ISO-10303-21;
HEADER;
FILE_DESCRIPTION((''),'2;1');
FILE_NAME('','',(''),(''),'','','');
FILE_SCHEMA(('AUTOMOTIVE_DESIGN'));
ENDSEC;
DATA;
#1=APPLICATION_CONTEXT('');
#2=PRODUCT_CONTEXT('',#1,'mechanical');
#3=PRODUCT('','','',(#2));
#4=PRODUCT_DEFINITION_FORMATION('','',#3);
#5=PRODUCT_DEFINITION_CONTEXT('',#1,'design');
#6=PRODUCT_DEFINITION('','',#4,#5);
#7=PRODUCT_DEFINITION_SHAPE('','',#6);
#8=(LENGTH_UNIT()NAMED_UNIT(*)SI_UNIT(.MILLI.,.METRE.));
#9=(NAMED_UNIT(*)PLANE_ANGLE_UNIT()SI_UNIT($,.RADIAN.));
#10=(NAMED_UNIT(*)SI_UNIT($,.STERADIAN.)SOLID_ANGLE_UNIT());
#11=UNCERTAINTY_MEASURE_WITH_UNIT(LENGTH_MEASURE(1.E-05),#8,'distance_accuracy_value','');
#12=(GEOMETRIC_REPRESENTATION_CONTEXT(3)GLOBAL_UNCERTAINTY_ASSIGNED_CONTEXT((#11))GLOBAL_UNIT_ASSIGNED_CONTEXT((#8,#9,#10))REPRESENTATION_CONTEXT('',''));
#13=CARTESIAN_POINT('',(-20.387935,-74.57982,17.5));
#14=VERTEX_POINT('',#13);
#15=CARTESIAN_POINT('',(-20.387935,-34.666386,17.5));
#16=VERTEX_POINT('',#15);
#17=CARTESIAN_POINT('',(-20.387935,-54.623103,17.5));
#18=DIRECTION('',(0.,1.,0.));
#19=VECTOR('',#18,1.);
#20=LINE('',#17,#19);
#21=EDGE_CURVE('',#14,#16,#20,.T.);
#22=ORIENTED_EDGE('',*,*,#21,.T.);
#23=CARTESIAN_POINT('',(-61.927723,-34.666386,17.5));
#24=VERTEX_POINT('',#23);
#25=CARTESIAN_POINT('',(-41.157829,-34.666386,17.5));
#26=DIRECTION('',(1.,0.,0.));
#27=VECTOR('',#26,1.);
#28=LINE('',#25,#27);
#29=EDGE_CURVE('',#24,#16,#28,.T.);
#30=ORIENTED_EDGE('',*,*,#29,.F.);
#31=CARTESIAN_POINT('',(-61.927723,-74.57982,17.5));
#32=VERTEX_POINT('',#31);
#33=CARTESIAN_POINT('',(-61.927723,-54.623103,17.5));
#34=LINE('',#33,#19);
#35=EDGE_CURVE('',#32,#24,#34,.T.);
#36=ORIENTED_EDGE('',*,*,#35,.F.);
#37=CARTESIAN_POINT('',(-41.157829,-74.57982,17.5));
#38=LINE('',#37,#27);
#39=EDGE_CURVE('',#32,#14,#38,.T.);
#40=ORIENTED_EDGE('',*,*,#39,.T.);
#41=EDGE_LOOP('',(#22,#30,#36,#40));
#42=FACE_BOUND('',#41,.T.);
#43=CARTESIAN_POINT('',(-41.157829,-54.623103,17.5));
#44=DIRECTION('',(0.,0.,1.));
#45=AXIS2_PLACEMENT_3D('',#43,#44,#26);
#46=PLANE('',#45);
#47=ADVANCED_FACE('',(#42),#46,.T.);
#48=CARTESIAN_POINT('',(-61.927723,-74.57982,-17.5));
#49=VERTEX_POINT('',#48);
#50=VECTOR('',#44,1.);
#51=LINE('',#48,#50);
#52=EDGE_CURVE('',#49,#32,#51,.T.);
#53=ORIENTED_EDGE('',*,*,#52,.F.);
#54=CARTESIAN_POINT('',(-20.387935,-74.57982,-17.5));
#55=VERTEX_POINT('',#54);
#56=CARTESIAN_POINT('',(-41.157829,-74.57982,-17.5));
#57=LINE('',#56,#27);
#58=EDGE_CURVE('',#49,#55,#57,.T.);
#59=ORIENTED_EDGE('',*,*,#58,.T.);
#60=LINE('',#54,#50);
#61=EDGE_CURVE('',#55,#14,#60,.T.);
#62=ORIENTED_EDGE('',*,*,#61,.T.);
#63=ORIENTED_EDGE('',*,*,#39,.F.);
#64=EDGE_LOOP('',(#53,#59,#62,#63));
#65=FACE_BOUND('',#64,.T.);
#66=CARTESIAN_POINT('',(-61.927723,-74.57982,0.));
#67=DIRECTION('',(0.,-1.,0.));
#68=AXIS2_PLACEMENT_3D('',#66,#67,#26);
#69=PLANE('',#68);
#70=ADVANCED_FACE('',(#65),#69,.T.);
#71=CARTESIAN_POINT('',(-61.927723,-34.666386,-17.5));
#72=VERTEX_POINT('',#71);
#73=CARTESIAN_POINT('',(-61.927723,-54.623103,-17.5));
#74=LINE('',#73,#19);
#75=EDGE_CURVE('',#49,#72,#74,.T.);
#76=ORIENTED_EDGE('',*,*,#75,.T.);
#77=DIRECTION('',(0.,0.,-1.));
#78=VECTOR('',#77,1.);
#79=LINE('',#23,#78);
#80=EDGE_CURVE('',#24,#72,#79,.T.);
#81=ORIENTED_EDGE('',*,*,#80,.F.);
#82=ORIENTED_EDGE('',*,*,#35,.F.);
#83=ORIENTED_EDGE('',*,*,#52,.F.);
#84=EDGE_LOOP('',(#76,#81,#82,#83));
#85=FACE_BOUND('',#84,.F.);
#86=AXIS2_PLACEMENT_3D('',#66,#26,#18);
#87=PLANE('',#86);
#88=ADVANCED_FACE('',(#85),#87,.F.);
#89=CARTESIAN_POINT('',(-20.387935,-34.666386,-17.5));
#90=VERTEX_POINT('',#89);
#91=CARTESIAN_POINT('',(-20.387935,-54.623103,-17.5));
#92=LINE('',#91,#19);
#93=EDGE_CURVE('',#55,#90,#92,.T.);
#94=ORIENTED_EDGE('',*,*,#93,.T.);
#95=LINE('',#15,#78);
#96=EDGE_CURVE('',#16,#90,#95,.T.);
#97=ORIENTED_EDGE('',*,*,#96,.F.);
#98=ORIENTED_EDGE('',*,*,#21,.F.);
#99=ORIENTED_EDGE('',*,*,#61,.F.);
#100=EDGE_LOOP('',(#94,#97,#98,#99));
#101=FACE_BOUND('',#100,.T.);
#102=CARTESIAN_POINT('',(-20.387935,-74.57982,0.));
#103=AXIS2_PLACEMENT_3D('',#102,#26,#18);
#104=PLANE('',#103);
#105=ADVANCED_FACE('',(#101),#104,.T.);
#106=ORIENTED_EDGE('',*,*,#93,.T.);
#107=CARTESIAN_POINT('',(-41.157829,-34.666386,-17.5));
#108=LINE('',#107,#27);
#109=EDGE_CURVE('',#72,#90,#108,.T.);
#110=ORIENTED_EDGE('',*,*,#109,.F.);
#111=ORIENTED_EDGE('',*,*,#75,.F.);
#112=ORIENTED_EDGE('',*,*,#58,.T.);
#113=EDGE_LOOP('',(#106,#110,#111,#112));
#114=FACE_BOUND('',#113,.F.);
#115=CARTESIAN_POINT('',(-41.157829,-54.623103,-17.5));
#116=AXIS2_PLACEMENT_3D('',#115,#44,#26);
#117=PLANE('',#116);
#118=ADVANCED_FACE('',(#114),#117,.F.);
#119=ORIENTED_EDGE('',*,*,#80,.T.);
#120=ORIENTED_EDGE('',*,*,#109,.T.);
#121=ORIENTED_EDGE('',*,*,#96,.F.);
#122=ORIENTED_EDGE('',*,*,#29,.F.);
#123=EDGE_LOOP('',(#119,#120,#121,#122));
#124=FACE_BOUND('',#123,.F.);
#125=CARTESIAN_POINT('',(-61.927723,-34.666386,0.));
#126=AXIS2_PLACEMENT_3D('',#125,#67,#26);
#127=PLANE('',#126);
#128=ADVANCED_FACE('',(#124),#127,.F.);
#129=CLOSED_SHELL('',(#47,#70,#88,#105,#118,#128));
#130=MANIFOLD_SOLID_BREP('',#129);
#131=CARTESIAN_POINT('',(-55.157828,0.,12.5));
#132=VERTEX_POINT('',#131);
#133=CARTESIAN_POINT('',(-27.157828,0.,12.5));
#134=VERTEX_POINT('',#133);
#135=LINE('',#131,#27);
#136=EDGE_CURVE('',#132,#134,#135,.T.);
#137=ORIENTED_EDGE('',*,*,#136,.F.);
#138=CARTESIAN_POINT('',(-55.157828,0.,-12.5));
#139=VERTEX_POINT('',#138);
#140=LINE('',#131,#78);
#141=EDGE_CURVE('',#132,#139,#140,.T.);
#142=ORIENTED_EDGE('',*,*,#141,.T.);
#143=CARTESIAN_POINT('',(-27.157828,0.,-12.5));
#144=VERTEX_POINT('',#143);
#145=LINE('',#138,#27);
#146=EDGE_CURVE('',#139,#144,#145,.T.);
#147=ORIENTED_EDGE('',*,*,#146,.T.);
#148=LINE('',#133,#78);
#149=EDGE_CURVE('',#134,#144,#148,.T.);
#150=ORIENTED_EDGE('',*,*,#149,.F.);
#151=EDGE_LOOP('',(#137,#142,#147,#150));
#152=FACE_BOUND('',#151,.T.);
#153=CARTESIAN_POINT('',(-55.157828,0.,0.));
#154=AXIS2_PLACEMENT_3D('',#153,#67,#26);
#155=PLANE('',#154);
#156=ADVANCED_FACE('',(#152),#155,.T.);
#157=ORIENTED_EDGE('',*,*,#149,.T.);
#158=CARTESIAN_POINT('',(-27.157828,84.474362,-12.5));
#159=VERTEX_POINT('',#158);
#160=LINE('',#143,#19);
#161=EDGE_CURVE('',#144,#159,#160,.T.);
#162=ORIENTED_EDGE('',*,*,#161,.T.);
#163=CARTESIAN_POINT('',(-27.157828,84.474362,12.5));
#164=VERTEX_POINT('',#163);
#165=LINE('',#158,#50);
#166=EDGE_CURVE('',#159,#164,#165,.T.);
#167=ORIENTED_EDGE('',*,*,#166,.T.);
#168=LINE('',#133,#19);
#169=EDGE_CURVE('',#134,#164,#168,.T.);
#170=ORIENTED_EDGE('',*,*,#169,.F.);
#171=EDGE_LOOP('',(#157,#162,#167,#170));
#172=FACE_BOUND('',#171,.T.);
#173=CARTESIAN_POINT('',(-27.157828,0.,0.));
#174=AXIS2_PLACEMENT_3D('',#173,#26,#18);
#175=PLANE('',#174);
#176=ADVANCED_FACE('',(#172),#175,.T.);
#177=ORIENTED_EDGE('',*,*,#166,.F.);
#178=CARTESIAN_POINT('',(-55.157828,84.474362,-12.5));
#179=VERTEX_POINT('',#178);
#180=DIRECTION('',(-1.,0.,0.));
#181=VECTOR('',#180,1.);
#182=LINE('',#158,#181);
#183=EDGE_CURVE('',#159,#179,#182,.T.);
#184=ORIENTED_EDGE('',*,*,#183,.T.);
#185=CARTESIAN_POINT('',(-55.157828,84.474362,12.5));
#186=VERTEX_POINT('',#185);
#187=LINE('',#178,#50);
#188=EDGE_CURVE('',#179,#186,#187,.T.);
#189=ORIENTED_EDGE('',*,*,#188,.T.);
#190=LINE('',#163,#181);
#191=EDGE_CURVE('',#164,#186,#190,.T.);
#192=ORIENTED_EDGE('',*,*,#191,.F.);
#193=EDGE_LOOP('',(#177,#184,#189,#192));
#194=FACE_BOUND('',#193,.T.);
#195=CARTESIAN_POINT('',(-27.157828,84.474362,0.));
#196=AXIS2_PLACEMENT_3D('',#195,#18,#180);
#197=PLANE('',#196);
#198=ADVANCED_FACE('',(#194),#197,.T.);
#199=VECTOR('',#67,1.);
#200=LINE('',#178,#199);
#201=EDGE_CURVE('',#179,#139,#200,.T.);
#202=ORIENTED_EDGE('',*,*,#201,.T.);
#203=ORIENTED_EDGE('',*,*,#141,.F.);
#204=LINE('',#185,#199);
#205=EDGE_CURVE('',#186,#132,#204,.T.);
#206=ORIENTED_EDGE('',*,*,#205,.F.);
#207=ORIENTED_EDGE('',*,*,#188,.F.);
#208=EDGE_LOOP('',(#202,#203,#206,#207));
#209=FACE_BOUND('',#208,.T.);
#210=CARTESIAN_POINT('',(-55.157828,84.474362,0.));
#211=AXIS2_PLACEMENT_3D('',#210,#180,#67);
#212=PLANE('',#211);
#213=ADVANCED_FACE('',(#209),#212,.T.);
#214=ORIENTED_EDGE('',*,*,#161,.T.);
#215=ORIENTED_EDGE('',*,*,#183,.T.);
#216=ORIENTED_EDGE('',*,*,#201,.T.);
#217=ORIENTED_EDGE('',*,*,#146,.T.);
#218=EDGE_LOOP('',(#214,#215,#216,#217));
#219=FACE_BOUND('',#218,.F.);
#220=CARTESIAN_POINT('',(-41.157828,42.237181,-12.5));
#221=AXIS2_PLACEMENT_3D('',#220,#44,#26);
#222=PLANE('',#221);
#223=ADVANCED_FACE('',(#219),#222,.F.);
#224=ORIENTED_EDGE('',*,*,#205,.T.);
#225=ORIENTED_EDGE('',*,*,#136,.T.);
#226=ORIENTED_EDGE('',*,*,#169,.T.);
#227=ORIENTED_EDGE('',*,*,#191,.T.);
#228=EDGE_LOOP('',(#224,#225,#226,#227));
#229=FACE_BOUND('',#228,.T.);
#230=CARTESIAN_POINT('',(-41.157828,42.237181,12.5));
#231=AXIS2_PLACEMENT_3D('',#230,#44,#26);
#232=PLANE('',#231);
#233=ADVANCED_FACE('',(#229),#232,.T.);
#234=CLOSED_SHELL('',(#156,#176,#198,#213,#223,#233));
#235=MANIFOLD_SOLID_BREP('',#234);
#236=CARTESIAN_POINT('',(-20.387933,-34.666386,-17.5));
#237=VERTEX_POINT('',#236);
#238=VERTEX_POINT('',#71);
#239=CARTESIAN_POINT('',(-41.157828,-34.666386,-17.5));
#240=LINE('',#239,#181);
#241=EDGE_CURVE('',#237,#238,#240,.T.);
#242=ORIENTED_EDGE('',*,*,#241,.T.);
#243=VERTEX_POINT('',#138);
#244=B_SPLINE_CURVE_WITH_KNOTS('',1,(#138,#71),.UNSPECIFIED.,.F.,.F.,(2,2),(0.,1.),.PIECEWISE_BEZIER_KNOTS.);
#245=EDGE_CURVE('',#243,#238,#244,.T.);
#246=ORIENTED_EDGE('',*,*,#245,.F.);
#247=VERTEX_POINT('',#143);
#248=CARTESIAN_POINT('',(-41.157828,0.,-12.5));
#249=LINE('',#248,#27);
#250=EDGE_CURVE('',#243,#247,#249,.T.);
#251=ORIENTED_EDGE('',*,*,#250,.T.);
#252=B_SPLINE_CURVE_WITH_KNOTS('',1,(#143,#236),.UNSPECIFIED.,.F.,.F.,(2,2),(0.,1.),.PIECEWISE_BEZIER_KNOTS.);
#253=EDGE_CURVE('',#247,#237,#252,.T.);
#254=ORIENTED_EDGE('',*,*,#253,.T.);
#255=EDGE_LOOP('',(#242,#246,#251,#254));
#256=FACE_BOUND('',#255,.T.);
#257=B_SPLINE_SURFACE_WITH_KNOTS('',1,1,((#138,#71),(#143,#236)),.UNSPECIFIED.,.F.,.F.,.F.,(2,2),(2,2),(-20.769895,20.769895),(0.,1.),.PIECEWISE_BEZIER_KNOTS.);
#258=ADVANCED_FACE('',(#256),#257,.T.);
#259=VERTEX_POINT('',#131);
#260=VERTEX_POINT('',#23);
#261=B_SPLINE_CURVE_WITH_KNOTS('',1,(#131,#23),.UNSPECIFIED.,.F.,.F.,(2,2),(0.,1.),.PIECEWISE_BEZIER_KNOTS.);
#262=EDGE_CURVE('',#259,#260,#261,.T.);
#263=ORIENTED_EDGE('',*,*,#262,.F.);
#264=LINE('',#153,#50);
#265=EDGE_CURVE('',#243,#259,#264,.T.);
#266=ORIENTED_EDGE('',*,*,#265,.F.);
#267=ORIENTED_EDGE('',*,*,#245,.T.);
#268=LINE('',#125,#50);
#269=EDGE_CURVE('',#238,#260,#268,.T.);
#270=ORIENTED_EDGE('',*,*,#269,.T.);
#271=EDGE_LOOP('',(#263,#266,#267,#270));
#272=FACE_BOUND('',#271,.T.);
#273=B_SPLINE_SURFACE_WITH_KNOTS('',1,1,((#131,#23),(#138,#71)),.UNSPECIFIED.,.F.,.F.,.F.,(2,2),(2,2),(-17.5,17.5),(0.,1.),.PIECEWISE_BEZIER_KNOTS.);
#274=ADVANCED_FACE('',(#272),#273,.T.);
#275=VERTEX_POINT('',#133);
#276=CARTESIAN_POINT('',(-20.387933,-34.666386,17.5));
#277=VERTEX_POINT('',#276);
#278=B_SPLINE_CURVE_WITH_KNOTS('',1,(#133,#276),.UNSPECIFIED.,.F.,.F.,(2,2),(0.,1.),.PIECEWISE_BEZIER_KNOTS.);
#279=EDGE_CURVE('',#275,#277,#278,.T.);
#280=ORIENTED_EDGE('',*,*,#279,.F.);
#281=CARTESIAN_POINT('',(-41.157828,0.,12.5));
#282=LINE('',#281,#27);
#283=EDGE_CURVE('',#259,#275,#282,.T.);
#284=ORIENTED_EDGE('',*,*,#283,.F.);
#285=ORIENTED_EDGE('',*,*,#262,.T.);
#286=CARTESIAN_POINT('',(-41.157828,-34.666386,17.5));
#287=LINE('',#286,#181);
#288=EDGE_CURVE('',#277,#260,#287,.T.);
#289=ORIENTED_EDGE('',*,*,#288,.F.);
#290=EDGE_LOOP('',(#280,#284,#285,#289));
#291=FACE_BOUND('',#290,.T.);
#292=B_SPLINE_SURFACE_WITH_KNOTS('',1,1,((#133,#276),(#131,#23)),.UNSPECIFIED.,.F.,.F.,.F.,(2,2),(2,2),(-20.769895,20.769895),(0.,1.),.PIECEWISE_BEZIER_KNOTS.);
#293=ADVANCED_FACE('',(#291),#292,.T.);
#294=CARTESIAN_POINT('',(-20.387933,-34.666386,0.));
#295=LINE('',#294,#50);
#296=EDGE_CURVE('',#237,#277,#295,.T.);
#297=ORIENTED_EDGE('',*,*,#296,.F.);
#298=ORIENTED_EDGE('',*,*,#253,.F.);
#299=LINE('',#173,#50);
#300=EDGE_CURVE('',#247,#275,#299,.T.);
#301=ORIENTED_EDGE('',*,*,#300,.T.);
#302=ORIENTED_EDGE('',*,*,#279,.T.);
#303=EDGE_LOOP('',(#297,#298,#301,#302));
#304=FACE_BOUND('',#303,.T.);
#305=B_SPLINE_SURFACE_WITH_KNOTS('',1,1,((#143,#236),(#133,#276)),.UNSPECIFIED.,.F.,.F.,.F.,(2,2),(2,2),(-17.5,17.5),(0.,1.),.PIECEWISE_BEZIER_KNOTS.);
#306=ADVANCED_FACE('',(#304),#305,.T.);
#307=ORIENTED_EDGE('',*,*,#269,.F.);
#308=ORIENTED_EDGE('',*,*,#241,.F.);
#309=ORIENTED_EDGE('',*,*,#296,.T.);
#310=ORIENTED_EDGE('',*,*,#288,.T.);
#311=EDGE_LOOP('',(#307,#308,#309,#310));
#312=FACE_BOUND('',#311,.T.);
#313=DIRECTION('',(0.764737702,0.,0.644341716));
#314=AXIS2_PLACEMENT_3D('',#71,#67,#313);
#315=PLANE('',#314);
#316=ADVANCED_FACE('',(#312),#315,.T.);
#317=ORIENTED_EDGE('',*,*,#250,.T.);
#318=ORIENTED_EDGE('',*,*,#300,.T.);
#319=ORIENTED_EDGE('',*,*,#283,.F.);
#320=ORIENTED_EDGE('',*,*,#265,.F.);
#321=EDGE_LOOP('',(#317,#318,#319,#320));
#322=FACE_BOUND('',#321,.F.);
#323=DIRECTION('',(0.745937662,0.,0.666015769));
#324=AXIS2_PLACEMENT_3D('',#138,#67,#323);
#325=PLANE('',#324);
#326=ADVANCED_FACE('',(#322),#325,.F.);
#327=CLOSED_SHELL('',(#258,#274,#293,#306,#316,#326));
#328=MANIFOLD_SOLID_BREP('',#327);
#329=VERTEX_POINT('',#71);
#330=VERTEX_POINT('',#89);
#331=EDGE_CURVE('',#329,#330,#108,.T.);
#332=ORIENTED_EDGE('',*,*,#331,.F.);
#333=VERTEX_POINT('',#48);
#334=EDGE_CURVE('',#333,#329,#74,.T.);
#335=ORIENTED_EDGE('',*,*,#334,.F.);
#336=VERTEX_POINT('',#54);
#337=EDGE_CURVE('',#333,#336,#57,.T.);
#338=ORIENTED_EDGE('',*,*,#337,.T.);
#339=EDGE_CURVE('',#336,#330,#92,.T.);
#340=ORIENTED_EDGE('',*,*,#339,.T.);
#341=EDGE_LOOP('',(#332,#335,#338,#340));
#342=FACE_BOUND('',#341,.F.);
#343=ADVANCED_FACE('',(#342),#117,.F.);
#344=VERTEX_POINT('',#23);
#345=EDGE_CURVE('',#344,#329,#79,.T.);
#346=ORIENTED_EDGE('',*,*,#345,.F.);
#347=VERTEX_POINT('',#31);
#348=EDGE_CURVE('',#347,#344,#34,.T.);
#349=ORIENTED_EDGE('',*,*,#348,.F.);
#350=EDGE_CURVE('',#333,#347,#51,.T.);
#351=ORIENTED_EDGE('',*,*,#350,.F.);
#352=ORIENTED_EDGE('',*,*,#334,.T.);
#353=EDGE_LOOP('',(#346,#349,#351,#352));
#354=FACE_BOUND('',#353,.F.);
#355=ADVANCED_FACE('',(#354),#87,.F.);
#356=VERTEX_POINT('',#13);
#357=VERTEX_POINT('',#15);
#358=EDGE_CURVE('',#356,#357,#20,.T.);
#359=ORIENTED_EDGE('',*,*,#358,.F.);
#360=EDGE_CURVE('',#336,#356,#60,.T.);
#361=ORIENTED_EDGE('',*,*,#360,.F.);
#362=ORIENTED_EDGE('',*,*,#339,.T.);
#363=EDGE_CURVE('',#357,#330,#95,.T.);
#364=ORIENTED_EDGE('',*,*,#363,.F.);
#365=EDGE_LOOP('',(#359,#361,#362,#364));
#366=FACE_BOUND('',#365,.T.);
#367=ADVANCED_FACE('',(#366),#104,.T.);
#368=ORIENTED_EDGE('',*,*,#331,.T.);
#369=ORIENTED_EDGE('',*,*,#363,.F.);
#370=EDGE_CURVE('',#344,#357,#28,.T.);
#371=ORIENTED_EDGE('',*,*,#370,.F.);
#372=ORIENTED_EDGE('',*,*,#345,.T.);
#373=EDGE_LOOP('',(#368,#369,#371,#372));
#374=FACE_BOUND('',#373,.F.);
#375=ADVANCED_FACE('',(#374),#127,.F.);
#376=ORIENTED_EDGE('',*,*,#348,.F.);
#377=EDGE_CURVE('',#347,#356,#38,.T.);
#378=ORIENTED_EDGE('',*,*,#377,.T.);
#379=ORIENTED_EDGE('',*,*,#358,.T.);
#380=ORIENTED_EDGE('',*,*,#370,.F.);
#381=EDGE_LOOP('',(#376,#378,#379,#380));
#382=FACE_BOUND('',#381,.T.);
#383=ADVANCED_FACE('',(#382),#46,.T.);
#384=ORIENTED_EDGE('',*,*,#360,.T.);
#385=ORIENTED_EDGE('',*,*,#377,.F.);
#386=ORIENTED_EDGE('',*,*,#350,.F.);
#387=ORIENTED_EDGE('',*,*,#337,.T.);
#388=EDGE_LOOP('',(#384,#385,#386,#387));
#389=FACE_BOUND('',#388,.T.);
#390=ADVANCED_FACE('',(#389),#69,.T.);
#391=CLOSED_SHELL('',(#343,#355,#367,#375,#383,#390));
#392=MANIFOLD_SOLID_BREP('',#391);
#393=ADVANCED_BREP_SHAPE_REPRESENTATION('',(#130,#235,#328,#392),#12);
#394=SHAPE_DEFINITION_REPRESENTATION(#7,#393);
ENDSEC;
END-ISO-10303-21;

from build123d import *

# Parameters (mm, degrees)
F1_DEPTH  = 12.5
F0_W      = 41.539789
F0_H      = 39.913434
F2_DEPTH  = 17.5
F3_DEPTH  = 17.5
F1_FACE_W = 28
F1_FACE_H = 25
F3_FACE_W = 41.53979
F3_FACE_H = 35


with BuildPart() as f1:
    # F0 (on Top) → F1 (new body, symmetric)
    with BuildSketch(Plane.XY):
        Polygon((-27.157828, 0), (-27.157828, 84.474362), (-55.157828, 84.474362), (-55.157828, 0), (-41.157828, 0), align=None)
    extrude(amount=F1_DEPTH, both=True)


with BuildPart() as f2:
    # F0 (on Top) → F2 (new body, symmetric)
    with BuildSketch(Plane.XY):
        with Locations((-41.157829, -54.623103)):
            Rectangle(F0_W, F0_H)
    extrude(amount=F2_DEPTH, both=True)


with BuildPart() as f3:
    # F0 (on Top) → F3 (new body, symmetric)
    with BuildSketch(Plane.XY):
        with Locations((-41.157829, -54.623103)):
            Rectangle(F0_W, F0_H)
    extrude(amount=F3_DEPTH, both=True)


with BuildPart() as f4:
    # F1_face (on face) → F4 section 0
    with BuildSketch(Plane(origin=(-41.157828, 0, 0), x_dir=(1, 0, 0), z_dir=(0, -1, 0))):
        Rectangle(F1_FACE_W, F1_FACE_H)
    # F3_face (on face) → F4 section 1
    with BuildSketch(Plane(origin=(-41.157828, -34.666386, 0), x_dir=(-1, 0, 0), z_dir=(0, 1, 0))):
        Rectangle(F3_FACE_W, F3_FACE_H)
    loft()


solid = Compound([f1.part, f2.part, f3.part, f4.part])
